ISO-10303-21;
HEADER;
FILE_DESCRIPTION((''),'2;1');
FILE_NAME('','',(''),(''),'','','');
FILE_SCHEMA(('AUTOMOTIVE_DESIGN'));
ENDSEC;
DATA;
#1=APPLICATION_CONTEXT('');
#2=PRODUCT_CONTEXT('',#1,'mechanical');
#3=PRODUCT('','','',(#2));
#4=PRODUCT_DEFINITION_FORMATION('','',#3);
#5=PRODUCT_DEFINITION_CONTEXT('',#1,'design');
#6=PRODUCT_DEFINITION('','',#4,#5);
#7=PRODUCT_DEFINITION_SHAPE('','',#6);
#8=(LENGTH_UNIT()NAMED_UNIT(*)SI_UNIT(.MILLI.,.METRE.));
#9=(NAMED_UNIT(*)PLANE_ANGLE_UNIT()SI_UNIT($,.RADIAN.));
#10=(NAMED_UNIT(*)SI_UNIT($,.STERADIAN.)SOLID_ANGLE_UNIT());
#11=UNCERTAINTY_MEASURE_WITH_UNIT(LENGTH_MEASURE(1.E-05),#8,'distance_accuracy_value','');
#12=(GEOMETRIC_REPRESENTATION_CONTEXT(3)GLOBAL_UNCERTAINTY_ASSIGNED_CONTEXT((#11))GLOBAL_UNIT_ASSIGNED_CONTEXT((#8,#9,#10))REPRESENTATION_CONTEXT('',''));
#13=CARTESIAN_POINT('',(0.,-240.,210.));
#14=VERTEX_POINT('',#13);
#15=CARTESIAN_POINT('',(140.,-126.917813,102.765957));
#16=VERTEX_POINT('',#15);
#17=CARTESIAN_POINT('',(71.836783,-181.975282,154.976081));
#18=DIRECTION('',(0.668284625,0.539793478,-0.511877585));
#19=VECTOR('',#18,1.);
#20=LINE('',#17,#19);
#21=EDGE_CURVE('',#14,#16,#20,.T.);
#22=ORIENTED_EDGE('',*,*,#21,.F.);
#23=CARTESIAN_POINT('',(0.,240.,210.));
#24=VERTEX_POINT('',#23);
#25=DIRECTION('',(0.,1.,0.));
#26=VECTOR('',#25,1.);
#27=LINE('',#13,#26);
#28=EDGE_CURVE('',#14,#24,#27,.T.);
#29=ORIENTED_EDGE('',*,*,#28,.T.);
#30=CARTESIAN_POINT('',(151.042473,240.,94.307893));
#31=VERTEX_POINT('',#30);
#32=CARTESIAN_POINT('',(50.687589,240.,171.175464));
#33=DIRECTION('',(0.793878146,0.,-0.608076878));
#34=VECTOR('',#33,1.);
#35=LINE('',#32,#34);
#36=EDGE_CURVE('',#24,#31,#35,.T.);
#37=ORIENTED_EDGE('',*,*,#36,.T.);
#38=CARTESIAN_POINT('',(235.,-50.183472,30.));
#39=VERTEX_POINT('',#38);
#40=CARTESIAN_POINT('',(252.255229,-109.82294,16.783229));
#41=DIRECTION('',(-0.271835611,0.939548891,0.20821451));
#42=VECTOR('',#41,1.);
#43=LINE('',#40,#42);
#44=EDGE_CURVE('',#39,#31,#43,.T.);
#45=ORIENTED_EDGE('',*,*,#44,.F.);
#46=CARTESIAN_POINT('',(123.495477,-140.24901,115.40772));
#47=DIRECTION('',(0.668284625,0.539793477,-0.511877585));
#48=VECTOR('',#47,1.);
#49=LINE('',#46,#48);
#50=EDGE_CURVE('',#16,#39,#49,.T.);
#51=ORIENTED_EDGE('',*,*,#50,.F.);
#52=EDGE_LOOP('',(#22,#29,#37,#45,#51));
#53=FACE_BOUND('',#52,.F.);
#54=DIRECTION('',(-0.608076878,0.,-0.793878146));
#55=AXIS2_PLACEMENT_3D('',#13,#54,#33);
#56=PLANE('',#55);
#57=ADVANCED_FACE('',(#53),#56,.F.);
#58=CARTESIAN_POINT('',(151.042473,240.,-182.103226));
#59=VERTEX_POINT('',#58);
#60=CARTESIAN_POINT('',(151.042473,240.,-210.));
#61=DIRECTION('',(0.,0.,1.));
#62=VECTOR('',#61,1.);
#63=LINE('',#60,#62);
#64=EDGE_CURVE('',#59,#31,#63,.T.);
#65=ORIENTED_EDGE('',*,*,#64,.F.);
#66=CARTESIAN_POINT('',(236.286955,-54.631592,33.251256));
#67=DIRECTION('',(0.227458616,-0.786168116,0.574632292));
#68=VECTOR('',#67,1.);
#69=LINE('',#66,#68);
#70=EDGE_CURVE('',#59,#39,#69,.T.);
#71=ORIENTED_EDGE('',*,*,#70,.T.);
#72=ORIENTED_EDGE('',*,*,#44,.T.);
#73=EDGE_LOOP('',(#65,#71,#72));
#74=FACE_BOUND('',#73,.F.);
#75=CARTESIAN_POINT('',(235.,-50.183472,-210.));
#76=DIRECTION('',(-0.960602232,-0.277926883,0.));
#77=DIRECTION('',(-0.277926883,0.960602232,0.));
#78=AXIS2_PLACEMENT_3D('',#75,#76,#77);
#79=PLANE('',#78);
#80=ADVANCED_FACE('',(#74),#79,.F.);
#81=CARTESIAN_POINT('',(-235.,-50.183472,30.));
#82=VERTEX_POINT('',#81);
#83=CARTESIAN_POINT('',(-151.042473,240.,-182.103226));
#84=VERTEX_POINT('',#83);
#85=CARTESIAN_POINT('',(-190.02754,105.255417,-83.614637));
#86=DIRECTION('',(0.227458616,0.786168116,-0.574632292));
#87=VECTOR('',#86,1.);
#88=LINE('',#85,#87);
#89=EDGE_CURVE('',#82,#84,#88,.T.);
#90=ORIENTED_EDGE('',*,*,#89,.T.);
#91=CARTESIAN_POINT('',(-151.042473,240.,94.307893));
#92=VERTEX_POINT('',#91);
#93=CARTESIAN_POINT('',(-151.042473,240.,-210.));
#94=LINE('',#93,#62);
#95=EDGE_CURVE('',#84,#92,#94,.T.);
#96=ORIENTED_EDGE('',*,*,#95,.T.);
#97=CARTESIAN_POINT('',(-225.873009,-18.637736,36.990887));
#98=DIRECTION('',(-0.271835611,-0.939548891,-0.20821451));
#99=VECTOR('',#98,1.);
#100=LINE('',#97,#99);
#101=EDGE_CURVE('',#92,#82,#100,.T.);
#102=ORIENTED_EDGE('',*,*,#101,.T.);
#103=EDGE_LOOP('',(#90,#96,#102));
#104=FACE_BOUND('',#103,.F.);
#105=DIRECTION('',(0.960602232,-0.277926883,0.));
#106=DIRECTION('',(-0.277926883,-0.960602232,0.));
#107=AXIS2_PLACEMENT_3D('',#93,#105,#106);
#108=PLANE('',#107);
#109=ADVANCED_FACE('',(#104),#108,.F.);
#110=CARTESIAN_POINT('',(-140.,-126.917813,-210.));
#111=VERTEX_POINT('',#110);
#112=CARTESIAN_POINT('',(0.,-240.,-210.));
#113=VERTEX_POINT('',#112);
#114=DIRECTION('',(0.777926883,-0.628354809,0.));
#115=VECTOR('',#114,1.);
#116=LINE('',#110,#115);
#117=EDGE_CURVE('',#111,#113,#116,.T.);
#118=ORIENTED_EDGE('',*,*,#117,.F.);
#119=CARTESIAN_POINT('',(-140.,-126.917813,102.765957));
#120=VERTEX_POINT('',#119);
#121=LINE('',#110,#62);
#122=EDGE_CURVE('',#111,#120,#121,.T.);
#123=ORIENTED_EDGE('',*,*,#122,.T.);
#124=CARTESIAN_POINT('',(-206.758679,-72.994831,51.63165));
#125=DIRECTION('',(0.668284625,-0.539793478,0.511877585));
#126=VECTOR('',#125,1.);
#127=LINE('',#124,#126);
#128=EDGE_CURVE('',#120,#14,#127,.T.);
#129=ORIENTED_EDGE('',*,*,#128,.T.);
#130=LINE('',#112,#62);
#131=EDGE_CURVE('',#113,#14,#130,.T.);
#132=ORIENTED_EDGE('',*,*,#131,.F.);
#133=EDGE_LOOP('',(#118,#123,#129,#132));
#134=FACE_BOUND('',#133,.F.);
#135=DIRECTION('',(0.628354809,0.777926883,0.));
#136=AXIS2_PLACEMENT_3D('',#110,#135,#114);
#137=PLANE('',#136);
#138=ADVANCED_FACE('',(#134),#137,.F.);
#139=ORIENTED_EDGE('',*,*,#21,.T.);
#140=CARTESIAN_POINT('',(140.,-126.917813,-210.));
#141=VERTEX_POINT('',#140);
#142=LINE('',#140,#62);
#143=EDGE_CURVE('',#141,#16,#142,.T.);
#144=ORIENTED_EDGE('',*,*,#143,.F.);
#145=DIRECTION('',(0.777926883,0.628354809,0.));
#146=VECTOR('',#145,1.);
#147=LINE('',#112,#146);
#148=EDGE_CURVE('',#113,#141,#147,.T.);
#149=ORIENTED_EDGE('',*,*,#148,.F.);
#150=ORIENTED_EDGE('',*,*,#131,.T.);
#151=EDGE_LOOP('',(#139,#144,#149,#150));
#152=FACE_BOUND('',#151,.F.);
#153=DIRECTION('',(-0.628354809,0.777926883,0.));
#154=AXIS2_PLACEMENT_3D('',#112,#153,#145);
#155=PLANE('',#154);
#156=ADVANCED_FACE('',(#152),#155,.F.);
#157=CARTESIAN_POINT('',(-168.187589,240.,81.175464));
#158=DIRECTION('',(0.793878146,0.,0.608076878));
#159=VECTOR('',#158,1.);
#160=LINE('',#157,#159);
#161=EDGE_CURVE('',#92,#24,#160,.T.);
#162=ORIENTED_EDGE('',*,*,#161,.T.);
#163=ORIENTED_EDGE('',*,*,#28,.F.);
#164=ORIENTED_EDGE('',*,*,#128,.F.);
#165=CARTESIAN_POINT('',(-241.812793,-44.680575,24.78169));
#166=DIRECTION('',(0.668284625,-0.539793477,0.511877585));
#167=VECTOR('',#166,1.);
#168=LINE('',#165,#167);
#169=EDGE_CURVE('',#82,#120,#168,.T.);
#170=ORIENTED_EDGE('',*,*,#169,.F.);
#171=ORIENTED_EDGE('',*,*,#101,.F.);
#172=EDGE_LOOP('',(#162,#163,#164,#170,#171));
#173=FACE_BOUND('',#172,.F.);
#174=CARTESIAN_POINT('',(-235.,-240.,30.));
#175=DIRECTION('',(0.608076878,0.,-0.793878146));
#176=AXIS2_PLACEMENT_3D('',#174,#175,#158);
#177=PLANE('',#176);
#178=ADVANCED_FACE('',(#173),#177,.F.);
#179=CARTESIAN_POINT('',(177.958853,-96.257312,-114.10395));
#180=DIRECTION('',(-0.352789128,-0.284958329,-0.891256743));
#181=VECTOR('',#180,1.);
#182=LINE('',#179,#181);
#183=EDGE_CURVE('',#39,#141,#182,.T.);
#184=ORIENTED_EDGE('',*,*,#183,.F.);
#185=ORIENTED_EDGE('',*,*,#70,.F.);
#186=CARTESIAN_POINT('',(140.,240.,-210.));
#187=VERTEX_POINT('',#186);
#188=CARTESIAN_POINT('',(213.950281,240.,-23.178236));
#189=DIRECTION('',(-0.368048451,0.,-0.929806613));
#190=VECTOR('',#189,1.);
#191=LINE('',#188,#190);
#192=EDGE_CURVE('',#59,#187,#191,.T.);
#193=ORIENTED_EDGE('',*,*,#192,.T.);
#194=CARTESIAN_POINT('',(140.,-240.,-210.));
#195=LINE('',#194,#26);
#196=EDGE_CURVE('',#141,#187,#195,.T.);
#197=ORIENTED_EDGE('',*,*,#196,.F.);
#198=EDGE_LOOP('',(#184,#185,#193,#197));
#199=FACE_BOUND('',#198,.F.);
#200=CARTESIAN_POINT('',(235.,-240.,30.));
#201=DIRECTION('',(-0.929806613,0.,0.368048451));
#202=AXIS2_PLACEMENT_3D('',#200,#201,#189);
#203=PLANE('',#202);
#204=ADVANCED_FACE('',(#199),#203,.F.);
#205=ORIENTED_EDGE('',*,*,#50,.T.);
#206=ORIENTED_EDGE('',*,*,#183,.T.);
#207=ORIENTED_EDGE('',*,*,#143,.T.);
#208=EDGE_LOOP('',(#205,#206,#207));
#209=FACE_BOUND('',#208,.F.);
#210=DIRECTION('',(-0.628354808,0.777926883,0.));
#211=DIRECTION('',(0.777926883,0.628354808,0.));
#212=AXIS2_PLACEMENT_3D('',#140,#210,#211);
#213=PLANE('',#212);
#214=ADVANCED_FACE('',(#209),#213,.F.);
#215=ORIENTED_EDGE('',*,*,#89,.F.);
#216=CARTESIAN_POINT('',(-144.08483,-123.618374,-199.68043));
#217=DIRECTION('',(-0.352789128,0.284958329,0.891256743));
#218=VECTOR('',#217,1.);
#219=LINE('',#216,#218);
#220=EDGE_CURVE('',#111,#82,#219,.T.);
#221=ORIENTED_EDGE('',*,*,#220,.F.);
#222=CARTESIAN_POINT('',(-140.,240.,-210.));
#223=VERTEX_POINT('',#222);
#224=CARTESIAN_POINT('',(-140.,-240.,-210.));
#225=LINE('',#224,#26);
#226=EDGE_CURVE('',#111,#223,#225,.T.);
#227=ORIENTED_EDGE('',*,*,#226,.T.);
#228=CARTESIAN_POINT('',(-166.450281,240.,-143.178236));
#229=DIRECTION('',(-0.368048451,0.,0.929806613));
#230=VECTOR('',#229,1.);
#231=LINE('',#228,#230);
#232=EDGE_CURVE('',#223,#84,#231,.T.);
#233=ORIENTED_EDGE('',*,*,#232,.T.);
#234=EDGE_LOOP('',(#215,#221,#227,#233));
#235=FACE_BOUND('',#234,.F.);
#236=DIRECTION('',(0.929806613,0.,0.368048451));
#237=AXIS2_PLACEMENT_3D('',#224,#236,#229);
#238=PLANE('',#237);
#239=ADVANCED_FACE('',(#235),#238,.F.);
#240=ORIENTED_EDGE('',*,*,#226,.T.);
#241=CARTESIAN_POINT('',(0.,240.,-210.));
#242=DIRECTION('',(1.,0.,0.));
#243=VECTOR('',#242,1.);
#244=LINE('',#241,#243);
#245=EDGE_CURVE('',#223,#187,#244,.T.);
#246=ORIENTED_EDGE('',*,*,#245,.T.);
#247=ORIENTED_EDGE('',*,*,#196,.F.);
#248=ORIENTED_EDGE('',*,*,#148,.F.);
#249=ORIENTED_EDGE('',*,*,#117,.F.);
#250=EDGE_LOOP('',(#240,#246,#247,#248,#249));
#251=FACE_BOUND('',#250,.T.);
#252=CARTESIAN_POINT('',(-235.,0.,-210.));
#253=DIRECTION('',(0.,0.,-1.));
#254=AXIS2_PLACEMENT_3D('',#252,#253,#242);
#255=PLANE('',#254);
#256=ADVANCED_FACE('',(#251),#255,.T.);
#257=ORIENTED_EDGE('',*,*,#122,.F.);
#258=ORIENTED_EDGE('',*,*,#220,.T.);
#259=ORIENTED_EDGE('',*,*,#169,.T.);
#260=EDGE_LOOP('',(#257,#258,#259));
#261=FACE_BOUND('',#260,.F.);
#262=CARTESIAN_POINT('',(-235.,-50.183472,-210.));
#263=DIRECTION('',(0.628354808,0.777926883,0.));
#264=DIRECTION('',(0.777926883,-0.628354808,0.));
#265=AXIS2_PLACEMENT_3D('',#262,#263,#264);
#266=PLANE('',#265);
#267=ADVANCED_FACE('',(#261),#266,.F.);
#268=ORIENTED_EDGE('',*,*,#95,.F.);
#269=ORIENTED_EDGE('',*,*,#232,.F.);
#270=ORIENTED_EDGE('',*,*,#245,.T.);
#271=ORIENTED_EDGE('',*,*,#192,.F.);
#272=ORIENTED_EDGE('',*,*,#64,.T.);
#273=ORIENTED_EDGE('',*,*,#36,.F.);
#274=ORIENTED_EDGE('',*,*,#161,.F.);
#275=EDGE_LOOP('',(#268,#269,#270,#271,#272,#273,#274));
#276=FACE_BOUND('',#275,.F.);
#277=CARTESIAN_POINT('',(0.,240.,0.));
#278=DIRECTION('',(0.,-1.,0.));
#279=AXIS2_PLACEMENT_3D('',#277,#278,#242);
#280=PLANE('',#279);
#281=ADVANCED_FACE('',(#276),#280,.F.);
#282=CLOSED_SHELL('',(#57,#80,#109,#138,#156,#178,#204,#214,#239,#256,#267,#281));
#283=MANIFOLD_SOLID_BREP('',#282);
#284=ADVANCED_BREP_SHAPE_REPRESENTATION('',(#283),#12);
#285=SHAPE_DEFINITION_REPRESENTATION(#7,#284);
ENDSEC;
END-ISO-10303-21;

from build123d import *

# Parameters (mm, degrees)
F0_W     = 470
F0_H     = 420
F1_DEPTH = 240
F3_DEPTH = 480.001
F5_DEPTH = 420.001


with BuildPart() as f1:
    # F0 (on Front) → F1 (new body, symmetric)
    with BuildSketch(Plane.XZ):
        Rectangle(F0_W, F0_H)
    extrude(amount=F1_DEPTH, both=True)

    # F2 (on face) → F3 (cut, through all)
    with BuildSketch(Plane.XZ.offset(240)):
        Polygon((0, 210), (235, 30), (235, 210), align=None)
        Polygon((235, 30), (140, -210), (235, -210), align=None)
        Polygon((-235, -210), (-140, -210), (-235, 30), align=None)
        Polygon((-235, 30), (0, 210), (-235, 210), align=None)
    extrude(amount=-F3_DEPTH, mode=Mode.SUBTRACT)

    # F4 (on face) → F5 (cut, through all)
    with BuildSketch(Plane(origin=(0, 0, -210), x_dir=(1, 0, 0), z_dir=(0, 0, -1))):
        Polygon((140, 126.917813), (235, 50.183472), (235, 240), (140, 240), align=None)
        Polygon((0, 240), (140, 126.917813), (140, 240), align=None)
        Polygon((235, 50.183472), (151.042473, -240), (235, -240), align=None)
        Polygon((-235, -240), (-151.042473, -240), (-235, 50.183472), align=None)
        Polygon((-235, 50.183472), (-140, 126.917813), (-140, 240), (-235, 240), align=None)
        Polygon((-140, 126.917813), (0, 240), (-140, 240), align=None)
    extrude(amount=-F5_DEPTH, mode=Mode.SUBTRACT)


solid = f1.part
